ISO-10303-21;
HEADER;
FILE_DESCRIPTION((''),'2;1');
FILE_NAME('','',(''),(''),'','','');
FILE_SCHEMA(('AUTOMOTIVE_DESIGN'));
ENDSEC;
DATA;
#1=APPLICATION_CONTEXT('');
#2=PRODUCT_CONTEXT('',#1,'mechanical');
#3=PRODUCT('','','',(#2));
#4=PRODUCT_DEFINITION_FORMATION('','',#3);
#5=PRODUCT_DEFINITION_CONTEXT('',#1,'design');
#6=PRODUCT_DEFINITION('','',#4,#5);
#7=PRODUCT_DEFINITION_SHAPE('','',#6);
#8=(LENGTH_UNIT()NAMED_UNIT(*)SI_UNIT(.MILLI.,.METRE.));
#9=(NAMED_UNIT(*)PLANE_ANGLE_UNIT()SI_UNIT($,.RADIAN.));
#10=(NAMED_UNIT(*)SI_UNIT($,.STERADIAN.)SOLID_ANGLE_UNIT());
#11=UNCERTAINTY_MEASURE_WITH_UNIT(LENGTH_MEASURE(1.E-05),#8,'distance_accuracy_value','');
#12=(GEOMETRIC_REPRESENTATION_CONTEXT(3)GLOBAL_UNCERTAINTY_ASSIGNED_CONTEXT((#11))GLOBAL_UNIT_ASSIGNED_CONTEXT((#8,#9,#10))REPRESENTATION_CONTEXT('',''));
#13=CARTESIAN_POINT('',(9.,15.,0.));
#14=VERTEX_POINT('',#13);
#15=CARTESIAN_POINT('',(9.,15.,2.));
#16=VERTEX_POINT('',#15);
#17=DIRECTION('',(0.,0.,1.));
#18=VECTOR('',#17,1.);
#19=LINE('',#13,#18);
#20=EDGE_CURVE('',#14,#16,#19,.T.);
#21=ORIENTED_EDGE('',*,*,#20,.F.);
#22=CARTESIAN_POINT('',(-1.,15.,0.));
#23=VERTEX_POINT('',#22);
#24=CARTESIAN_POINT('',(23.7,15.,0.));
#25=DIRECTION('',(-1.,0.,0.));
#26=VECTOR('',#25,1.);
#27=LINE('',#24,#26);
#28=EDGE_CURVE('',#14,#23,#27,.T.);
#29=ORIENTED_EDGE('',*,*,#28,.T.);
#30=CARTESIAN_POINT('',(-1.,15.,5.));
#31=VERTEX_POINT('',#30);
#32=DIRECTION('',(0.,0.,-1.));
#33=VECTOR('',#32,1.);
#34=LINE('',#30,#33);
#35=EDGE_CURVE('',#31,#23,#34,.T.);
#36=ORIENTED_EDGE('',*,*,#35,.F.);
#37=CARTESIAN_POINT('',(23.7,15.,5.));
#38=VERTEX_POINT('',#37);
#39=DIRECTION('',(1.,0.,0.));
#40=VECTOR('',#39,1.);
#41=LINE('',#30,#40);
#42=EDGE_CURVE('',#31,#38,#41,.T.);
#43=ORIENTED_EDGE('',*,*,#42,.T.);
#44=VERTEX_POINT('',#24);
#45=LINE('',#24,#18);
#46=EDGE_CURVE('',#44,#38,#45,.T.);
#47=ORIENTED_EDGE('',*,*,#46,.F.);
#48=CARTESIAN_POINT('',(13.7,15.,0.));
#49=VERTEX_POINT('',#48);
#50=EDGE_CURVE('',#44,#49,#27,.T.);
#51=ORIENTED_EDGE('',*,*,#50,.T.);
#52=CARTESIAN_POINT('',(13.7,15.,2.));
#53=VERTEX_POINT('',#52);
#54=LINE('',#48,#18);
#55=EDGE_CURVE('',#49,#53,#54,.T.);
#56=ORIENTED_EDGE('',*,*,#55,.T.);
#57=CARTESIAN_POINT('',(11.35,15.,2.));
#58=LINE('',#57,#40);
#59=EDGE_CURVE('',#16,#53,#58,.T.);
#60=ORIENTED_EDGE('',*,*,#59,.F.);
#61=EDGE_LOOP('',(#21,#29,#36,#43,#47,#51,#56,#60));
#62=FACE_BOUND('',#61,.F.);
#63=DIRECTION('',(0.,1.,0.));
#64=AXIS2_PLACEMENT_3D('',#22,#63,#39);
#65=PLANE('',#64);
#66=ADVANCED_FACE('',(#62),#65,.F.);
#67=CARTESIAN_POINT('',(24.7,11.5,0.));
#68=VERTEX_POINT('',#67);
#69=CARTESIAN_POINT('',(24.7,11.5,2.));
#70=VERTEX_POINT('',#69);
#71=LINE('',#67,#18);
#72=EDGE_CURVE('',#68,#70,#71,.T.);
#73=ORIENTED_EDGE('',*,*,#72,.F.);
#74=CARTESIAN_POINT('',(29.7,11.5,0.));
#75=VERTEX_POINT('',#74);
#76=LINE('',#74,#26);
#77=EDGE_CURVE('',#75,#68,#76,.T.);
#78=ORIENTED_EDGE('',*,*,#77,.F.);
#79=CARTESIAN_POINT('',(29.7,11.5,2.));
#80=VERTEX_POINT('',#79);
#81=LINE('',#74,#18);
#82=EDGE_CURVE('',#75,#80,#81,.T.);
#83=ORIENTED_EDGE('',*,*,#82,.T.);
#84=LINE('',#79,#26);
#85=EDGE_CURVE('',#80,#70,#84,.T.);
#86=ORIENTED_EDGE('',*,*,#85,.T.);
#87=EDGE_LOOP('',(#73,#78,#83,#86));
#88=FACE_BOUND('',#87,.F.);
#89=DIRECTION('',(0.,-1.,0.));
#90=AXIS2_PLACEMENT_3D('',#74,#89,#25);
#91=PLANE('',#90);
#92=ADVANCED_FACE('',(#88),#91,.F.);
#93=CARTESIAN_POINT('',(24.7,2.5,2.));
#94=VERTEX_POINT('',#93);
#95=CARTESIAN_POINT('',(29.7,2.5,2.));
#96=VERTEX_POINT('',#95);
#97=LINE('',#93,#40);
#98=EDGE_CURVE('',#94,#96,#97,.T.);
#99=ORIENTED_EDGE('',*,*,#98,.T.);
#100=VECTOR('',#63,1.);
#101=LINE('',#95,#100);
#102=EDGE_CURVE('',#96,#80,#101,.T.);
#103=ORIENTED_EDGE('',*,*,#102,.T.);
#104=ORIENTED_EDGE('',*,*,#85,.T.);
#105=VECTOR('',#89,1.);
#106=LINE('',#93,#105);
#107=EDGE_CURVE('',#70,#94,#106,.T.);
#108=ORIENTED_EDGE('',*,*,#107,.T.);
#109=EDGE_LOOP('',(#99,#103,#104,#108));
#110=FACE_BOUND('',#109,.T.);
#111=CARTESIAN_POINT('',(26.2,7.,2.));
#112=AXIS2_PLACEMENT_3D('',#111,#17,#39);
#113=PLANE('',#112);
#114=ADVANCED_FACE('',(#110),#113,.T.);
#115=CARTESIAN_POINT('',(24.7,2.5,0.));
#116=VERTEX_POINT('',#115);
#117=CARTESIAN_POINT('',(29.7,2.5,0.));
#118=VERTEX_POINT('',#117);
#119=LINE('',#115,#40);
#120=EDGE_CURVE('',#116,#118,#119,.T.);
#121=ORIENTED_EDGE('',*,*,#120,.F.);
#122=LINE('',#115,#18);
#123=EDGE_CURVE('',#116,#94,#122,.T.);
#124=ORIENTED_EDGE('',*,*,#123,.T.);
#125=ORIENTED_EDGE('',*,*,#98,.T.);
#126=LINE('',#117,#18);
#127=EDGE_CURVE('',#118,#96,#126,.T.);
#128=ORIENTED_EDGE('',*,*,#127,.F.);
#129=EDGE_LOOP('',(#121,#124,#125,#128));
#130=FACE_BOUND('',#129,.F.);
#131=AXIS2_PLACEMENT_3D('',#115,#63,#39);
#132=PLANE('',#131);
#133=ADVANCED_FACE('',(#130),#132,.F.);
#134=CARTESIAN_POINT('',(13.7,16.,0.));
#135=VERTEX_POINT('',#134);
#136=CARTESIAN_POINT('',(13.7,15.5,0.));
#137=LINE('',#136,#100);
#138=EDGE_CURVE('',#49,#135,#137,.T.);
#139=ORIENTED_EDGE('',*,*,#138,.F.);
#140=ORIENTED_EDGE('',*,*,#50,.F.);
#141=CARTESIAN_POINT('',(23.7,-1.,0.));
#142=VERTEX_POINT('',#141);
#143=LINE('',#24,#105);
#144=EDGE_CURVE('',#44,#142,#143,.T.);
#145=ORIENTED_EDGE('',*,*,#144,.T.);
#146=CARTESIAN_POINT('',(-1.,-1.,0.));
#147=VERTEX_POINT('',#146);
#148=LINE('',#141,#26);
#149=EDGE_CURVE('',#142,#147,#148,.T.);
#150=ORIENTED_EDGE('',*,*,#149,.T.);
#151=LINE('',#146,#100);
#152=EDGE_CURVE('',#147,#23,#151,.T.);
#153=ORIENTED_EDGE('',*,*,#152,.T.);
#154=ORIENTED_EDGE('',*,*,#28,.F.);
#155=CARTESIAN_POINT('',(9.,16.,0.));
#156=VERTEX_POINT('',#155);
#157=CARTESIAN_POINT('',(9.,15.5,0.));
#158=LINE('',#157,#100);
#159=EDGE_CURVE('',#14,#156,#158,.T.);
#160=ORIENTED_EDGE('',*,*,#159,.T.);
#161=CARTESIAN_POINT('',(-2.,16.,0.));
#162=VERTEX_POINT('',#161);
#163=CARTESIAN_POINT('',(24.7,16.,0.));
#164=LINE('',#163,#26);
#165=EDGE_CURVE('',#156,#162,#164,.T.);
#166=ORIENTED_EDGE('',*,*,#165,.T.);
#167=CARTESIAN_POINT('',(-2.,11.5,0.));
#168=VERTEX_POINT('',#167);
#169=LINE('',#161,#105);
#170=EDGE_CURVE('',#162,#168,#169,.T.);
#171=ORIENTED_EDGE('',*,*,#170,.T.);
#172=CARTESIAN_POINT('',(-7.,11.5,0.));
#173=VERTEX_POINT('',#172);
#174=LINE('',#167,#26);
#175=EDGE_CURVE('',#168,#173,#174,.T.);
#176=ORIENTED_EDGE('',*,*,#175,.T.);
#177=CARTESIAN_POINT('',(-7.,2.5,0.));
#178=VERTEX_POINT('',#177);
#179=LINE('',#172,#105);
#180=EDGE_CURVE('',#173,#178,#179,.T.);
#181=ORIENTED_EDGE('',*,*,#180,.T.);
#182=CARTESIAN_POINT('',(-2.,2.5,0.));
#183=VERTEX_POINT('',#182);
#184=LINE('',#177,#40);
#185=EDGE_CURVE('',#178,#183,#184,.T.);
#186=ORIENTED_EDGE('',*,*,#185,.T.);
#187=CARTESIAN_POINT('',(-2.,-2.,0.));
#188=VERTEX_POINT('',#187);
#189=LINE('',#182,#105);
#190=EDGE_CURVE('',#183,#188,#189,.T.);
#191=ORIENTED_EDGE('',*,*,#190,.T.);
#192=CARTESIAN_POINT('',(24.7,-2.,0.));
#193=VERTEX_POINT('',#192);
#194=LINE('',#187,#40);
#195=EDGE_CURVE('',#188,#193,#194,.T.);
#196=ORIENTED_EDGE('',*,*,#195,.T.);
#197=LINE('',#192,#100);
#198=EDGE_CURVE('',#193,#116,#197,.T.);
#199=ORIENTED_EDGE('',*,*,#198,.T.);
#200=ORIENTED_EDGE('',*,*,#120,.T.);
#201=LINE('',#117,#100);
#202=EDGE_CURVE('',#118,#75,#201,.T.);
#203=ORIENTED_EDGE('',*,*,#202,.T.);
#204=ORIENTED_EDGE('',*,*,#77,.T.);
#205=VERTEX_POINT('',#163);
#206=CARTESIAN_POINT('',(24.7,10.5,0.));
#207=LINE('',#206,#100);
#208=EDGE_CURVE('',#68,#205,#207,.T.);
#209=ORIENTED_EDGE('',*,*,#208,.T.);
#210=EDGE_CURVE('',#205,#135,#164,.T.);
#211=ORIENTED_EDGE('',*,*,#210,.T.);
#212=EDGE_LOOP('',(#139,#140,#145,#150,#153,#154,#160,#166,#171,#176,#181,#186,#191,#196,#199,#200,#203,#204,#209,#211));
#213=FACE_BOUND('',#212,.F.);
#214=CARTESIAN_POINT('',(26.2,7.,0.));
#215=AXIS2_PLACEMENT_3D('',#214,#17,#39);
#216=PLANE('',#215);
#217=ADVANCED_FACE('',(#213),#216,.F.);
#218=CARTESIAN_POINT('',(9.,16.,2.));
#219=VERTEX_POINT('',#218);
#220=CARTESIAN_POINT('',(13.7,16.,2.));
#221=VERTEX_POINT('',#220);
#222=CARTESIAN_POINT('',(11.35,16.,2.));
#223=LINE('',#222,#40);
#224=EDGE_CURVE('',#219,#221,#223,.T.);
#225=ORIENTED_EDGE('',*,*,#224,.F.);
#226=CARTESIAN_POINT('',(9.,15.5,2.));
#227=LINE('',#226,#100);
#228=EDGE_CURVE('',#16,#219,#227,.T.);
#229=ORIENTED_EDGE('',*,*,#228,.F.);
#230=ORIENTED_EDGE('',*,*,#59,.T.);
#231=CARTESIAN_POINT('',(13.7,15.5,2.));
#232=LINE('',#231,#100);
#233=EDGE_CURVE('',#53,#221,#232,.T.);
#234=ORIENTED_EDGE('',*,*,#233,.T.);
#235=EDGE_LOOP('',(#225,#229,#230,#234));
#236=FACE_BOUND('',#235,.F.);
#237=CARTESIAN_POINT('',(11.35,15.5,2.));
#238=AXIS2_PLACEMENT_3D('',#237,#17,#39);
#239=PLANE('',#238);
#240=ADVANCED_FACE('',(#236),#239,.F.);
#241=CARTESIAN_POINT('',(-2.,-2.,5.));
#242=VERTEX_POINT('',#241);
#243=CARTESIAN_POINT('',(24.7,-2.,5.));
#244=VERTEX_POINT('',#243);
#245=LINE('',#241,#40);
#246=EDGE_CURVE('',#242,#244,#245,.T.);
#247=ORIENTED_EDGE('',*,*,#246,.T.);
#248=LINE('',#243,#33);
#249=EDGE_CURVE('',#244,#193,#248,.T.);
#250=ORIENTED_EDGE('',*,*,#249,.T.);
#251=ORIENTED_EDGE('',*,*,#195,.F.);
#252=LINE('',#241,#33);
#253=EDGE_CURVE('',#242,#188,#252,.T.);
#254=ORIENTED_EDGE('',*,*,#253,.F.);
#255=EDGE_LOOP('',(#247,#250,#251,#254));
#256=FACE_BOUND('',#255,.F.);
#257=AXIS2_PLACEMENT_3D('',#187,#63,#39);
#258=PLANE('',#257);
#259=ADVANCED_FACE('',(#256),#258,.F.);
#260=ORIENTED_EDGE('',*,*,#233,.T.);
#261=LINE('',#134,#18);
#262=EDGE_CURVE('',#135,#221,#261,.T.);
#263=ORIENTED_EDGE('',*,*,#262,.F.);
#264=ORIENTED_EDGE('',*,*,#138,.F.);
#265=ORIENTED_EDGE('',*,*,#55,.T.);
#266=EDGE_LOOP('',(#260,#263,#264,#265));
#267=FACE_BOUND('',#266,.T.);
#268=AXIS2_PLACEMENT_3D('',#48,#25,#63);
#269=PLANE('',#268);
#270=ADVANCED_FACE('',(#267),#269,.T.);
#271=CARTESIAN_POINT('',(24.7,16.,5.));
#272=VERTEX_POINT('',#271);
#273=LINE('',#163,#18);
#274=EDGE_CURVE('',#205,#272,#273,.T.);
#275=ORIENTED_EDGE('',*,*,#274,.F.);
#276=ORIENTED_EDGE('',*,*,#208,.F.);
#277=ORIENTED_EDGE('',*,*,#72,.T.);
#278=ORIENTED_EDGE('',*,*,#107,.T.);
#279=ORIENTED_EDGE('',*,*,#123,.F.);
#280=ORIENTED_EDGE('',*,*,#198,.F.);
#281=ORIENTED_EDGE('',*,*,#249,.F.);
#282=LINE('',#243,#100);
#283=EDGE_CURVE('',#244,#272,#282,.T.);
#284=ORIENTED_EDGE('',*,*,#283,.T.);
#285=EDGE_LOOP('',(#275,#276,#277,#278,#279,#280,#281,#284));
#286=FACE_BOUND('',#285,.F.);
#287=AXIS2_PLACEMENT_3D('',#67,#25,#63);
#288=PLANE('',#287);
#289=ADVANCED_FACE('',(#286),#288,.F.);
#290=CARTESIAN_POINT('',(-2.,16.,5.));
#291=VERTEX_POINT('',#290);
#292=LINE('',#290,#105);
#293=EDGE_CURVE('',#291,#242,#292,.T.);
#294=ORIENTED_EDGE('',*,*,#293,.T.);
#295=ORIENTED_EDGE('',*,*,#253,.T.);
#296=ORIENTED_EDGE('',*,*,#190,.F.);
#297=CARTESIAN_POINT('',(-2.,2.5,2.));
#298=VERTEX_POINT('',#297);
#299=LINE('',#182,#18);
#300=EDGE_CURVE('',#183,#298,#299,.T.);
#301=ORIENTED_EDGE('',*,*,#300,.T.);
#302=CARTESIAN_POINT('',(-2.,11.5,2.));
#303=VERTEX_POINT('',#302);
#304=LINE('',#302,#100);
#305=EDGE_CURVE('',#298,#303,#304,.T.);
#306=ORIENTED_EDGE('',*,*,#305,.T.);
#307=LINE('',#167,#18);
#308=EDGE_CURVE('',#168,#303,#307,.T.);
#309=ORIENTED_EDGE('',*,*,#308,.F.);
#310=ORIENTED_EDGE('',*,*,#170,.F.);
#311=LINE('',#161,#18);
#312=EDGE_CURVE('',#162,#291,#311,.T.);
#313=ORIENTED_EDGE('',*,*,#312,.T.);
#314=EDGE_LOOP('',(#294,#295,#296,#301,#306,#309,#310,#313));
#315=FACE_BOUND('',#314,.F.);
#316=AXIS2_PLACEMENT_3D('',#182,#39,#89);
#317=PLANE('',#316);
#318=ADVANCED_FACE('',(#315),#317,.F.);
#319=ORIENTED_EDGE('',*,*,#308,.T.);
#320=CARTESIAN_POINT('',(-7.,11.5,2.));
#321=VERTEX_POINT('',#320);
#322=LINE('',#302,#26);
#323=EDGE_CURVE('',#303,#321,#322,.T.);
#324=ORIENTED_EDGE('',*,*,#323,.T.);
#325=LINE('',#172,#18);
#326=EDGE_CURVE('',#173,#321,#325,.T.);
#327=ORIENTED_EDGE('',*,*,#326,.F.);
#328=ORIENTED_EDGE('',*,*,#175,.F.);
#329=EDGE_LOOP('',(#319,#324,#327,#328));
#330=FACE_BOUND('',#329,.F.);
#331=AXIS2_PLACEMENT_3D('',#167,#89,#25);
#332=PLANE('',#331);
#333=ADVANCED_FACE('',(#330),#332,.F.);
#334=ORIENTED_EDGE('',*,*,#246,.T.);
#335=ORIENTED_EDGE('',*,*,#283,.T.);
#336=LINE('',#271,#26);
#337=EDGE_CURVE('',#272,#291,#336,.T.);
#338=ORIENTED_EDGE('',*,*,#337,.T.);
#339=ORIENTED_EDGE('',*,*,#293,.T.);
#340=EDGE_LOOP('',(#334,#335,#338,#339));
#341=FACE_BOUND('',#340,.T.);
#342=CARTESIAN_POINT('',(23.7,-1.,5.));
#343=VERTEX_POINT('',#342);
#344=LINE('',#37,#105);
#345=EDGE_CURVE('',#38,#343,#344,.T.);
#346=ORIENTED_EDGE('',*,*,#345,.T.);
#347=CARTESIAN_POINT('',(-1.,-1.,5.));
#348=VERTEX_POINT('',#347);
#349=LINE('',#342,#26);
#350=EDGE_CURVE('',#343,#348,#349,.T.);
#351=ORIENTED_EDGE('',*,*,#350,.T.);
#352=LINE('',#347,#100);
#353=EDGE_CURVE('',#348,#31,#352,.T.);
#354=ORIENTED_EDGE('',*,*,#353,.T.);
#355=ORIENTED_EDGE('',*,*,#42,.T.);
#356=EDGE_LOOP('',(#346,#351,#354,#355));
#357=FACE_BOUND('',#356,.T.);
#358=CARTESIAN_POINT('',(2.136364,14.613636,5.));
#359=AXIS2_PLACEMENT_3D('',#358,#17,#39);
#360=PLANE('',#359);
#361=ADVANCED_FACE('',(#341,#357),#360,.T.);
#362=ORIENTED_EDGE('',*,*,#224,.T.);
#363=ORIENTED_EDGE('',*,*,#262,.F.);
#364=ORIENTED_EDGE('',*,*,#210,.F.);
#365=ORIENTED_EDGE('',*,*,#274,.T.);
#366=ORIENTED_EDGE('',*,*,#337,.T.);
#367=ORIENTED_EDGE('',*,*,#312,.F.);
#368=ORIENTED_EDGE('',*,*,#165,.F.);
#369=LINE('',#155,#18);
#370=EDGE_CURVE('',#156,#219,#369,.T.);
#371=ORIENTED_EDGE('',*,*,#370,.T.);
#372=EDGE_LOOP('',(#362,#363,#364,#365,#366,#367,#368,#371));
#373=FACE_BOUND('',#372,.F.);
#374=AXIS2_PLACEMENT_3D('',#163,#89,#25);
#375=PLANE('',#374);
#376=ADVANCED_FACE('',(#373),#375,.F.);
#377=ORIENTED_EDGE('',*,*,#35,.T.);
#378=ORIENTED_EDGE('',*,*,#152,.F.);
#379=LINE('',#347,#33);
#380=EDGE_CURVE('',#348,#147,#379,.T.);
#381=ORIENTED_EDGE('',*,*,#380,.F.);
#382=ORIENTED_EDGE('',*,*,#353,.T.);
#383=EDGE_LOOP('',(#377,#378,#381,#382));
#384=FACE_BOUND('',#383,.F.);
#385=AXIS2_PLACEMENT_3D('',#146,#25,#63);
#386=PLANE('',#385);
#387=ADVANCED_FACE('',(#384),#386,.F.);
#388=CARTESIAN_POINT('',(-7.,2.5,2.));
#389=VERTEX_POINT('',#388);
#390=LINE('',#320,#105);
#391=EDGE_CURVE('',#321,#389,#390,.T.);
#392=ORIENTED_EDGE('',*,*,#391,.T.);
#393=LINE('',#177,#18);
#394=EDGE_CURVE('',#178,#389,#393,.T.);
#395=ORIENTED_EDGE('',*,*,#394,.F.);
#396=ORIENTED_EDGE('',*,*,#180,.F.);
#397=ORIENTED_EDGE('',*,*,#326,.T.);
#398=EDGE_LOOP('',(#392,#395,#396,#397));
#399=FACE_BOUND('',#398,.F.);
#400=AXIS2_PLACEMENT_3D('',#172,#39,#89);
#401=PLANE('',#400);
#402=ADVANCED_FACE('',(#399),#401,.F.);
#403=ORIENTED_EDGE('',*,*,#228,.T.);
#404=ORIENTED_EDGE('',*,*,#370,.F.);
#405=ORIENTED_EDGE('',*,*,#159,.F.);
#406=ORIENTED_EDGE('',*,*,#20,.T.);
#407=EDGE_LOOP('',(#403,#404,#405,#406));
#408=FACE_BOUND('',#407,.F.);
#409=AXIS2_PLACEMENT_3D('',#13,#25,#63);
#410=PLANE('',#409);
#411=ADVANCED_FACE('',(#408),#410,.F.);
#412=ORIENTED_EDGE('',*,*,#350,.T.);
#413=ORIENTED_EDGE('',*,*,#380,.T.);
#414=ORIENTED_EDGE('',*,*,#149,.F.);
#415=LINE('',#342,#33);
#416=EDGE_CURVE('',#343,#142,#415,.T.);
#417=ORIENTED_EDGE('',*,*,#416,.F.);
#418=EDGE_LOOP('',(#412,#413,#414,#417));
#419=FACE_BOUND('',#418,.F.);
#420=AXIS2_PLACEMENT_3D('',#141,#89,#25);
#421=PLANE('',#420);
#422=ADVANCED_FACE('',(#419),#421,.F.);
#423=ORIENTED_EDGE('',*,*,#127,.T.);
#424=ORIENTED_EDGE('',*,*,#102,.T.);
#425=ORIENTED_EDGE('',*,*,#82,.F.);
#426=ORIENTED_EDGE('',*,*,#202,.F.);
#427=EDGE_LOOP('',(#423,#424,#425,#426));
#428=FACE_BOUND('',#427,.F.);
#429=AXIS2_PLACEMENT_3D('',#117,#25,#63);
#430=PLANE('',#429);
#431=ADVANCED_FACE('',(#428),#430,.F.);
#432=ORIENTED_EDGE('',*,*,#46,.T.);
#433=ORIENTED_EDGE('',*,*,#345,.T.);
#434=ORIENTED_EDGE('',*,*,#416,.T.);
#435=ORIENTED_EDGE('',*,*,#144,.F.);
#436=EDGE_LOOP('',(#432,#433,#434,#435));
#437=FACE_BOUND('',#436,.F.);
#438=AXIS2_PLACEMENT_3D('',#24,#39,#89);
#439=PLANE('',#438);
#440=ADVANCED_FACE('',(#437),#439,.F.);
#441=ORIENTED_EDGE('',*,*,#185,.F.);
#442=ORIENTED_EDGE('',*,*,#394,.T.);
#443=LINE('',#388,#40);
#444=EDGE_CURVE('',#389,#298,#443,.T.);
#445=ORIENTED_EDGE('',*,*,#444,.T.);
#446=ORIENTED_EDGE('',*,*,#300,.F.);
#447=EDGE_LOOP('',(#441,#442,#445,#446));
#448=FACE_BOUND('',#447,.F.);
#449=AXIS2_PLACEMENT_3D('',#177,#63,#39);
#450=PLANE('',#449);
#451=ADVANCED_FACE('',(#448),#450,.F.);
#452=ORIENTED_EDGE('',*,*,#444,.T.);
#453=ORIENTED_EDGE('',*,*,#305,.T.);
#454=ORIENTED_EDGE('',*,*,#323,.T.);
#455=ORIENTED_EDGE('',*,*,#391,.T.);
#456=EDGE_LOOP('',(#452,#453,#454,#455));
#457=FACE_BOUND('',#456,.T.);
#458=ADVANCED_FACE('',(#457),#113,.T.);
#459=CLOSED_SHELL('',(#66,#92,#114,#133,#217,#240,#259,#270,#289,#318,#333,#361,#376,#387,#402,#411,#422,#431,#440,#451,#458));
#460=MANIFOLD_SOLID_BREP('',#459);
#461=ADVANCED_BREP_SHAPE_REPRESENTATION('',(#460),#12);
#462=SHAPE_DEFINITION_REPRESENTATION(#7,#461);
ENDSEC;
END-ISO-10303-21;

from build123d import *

# Parameters (mm, degrees)
F0_W     = 3
F0_H     = 5
F0_W_2   = 1
F0_H_2   = 1
F1_DEPTH = 2
F0_W_3   = 4.7
F2_DEPTH = 5
F3_DEPTH = 2


with BuildPart() as f1:
    # F0 (on Top) → F1 (new body)
    with BuildSketch(Plane.XY):
        with Locations((26.2, 7)):
            Rectangle(F0_W, F0_H)
        Polygon((-2, 10.5), (-1, 10.5), (-1, 15), (9, 15), (9, 16), (-2, 16), (-2, 11.5), align=None)
        with Locations((-3.5, 7)):
            Rectangle(F0_W, F0_H)
        Polygon((-2, 3.5), (-2, 4.5), (-5, 4.5), (-5, 9.5), (-2, 9.5), (-2, 10.5), (-6, 10.5), (-6, 3.5), align=None)
        Polygon((27.7, 4.5), (24.7, 4.5), (24.7, 3.5), (28.7, 3.5), (28.7, 10.5), (24.7, 10.5), (24.7, 9.5), (27.7, 9.5), align=None)
        Polygon((-2, 2.5), (-2, 3.5), (-6, 3.5), (-6, 10.5), (-2, 10.5), (-2, 11.5), (-7, 11.5), (-7, 2.5), align=None)
        Polygon((-1, -1), (-1, 3.5), (-2, 3.5), (-2, 2.5), (-2, -2), (24.7, -2), (24.7, 2.5), (24.7, 3.5), (23.7, 3.5), (23.7, -1), align=None)
        with Locations((-1.5, 7)):
            Rectangle(F0_W_2, F0_H)
        with Locations((-1.5, 4)):
            Rectangle(F0_W_2, F0_H_2)
        with Locations((24.2, 4)):
            Rectangle(F0_W_2, F0_H_2)
        with Locations((24.2, 7)):
            Rectangle(F0_W_2, F0_H)
        with Locations((24.2, 10)):
            Rectangle(F0_W_2, F0_H_2)
        Polygon((23.7, 15), (23.7, 10.5), (24.7, 10.5), (24.7, 11.5), (24.7, 16), (13.7, 16), (13.7, 15), align=None)
        Polygon((28.7, 3.5), (24.7, 3.5), (24.7, 2.5), (29.7, 2.5), (29.7, 11.5), (24.7, 11.5), (24.7, 10.5), (28.7, 10.5), align=None)
        with Locations((-1.5, 10)):
            Rectangle(F0_W_2, F0_H_2)
    extrude(amount=F1_DEPTH)

    # F0 (on Top) → F2 (join)
    with BuildSketch(Plane.XY):
        Polygon((-2, 10.5), (-1, 10.5), (-1, 15), (9, 15), (9, 16), (-2, 16), (-2, 11.5), align=None)
        with Locations((11.35, 15.5)):
            Rectangle(F0_W_3, F0_H_2)
        Polygon((23.7, 15), (23.7, 10.5), (24.7, 10.5), (24.7, 11.5), (24.7, 16), (13.7, 16), (13.7, 15), align=None)
        with Locations((24.2, 10)):
            Rectangle(F0_W_2, F0_H_2)
        with Locations((24.2, 7)):
            Rectangle(F0_W_2, F0_H)
        Polygon((-1, -1), (-1, 3.5), (-2, 3.5), (-2, 2.5), (-2, -2), (24.7, -2), (24.7, 2.5), (24.7, 3.5), (23.7, 3.5), (23.7, -1), align=None)
        with Locations((24.2, 4)):
            Rectangle(F0_W_2, F0_H_2)
        with Locations((-1.5, 4)):
            Rectangle(F0_W_2, F0_H_2)
        with Locations((-1.5, 7)):
            Rectangle(F0_W_2, F0_H)
        with Locations((-1.5, 10)):
            Rectangle(F0_W_2, F0_H_2)
    extrude(amount=F2_DEPTH)

    # F0 (on Top) → F3 (cut)
    with BuildSketch(Plane.XY):
        with Locations((11.35, 15.5)):
            Rectangle(F0_W_3, F0_H_2)
    extrude(amount=F3_DEPTH, mode=Mode.SUBTRACT)


solid = f1.part
